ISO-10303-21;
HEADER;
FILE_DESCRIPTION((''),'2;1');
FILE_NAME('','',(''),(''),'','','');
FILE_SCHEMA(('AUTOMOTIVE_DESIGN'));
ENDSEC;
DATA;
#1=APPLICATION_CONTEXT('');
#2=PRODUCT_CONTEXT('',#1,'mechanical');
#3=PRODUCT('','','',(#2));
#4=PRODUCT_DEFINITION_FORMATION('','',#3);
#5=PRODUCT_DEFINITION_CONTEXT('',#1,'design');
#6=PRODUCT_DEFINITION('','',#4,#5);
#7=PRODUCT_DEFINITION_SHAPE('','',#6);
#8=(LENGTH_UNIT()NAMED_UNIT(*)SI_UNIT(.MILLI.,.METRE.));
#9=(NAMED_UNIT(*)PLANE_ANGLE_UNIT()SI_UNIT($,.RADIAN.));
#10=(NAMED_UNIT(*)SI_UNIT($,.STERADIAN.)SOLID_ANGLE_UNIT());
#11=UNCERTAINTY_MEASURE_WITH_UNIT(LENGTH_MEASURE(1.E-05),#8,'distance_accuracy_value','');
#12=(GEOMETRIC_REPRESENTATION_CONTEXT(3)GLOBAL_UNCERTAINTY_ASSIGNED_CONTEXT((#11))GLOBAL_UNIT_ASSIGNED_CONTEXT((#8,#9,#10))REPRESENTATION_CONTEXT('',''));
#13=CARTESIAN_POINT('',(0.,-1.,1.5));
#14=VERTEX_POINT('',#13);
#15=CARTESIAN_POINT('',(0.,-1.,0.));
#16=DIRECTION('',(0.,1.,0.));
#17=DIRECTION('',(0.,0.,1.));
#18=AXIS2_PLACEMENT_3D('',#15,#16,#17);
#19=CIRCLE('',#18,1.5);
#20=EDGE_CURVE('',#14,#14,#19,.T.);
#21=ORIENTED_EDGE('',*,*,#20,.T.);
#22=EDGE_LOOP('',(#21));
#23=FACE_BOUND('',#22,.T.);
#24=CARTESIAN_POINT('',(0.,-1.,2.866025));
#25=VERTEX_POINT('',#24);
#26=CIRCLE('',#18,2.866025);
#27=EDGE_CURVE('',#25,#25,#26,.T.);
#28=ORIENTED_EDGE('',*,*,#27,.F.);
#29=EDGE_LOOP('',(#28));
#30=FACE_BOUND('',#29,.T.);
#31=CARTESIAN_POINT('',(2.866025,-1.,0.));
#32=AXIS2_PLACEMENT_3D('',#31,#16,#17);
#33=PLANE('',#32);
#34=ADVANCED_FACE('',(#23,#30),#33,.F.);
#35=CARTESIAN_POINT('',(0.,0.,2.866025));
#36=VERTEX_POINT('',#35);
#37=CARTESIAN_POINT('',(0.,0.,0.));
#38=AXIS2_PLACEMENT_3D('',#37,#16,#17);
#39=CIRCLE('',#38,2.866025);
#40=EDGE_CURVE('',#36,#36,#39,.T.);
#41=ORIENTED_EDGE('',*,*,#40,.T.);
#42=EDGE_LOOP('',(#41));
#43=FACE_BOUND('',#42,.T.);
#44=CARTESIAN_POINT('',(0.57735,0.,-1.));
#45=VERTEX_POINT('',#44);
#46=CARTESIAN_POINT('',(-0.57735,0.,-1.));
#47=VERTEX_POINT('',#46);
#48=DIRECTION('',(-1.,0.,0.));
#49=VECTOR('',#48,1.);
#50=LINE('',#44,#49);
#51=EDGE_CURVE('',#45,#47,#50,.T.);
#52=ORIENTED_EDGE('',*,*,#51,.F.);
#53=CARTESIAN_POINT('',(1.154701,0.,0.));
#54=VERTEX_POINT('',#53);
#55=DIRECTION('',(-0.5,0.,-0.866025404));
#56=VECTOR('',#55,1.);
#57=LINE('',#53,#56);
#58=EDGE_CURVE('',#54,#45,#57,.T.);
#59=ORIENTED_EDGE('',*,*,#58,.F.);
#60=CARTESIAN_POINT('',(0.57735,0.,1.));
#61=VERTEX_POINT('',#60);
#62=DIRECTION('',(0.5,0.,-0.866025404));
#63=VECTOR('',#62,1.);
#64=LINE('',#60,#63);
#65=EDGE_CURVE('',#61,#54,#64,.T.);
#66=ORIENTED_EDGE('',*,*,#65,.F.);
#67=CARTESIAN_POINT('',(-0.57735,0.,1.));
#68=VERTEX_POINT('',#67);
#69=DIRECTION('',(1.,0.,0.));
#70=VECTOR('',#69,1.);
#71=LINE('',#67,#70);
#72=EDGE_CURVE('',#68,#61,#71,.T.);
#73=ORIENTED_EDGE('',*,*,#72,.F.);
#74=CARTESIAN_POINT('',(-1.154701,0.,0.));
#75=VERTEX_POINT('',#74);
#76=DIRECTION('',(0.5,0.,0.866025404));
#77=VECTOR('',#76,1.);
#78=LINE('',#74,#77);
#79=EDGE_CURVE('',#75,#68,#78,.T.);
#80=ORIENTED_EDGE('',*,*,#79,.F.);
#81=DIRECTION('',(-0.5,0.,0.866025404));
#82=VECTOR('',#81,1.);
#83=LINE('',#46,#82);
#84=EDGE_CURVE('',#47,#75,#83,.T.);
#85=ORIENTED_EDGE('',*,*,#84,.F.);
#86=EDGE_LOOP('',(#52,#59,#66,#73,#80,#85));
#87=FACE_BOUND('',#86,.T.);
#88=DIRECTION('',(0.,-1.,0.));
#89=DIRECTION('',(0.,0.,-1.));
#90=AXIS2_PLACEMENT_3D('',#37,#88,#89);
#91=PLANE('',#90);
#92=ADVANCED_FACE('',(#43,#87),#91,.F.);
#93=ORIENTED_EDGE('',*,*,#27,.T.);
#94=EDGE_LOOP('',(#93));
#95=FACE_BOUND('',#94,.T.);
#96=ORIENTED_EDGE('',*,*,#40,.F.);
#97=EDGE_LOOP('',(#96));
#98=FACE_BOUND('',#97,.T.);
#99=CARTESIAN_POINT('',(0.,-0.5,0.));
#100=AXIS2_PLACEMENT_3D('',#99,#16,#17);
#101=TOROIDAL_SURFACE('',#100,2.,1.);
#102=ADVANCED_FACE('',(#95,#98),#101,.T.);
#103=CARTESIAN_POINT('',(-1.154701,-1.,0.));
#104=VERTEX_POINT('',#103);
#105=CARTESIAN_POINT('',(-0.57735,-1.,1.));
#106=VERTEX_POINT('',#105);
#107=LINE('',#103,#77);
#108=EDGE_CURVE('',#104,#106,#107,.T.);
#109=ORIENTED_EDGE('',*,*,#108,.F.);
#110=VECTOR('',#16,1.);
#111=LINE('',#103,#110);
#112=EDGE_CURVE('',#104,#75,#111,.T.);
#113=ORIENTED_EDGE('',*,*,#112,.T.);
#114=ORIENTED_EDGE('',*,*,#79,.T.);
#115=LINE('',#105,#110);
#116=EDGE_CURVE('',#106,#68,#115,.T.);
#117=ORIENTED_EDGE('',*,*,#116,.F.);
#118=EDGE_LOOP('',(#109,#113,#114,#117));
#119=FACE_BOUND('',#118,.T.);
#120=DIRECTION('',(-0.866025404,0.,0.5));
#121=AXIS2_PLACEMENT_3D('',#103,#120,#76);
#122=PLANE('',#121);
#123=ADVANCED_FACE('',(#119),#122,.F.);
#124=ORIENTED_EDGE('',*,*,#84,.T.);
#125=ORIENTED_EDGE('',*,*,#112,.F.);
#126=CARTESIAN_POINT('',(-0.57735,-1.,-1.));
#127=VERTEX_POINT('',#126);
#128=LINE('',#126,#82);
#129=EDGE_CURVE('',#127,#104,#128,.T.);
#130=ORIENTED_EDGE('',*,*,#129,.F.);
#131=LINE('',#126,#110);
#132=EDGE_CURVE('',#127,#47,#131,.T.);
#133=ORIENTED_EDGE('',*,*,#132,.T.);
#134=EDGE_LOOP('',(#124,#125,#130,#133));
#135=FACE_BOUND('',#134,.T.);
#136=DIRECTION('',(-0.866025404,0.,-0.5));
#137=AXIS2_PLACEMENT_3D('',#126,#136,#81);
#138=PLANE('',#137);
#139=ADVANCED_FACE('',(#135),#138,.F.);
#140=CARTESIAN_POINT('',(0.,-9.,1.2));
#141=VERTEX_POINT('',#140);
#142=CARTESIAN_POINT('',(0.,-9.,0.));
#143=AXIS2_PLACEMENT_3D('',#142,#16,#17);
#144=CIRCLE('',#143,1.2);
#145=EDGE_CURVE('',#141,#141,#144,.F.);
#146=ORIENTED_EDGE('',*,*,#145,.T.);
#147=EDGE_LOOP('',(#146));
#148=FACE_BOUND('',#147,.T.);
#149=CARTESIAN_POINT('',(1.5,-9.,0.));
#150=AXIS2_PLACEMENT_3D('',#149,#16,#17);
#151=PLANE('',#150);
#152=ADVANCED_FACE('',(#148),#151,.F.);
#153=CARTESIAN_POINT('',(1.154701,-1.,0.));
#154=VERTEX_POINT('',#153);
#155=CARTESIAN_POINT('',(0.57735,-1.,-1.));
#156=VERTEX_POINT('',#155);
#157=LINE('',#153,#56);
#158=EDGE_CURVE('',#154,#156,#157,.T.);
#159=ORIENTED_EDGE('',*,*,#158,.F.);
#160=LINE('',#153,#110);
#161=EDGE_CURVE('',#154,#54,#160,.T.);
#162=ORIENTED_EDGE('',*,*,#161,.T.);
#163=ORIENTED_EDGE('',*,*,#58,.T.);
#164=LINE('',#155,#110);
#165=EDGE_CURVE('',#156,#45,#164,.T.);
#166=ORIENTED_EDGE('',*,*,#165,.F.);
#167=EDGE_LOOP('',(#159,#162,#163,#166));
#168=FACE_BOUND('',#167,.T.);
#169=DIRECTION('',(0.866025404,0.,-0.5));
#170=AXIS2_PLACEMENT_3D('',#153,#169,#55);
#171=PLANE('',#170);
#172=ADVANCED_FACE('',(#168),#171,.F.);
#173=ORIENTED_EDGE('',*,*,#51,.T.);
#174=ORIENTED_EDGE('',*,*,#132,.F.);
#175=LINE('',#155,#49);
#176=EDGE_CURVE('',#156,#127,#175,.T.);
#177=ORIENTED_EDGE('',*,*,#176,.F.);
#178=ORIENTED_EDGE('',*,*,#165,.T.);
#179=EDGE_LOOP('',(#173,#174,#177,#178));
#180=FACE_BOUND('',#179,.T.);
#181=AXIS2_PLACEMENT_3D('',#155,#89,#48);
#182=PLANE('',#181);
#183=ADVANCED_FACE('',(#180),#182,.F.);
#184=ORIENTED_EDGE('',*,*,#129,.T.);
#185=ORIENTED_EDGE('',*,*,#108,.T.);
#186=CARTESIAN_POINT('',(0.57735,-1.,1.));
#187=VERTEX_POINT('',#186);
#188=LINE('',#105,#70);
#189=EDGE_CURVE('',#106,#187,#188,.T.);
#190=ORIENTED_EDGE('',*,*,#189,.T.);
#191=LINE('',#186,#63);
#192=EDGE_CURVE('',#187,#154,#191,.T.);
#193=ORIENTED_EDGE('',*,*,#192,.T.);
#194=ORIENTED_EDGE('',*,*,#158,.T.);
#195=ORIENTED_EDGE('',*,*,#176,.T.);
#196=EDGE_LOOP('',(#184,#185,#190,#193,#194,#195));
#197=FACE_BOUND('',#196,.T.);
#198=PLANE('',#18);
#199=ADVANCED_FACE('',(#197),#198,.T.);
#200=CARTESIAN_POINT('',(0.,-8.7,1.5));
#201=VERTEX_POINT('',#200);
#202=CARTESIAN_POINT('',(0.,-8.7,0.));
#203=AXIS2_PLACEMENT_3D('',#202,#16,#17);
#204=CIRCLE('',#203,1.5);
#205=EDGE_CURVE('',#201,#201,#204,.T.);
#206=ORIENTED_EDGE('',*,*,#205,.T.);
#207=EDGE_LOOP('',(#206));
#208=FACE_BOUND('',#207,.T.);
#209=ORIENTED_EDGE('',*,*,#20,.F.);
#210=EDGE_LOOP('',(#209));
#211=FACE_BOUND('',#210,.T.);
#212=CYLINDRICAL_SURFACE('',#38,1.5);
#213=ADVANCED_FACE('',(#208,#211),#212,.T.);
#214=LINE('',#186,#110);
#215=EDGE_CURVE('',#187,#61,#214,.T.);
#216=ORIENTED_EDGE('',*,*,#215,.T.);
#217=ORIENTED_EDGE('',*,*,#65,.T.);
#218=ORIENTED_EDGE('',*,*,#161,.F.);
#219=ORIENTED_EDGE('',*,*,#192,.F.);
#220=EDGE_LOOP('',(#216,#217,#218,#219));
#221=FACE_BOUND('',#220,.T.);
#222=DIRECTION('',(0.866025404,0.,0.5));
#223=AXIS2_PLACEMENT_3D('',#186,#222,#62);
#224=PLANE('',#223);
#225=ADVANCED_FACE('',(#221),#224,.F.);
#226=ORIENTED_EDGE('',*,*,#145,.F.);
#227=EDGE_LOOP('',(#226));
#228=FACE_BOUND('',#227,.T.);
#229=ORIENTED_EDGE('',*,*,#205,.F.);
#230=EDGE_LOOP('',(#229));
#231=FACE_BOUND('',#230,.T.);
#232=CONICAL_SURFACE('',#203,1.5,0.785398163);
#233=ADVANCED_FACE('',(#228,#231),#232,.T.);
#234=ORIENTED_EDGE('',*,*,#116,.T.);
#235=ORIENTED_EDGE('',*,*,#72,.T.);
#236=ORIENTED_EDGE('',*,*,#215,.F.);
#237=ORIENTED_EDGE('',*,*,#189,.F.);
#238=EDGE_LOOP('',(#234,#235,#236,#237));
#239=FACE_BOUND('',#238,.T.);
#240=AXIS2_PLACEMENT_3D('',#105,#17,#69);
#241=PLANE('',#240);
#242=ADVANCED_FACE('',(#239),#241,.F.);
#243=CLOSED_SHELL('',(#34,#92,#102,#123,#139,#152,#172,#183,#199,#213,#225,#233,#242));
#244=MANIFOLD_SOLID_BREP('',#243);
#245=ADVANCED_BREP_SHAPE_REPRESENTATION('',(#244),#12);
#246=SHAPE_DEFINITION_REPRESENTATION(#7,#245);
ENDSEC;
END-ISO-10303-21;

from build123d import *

# Parameters (mm, degrees)
CHAMFER_1_SIZE      = 0.3
CUT_EXTRUDE_1_DEPTH = 1


with BuildPart() as part:
    # 草图1 → 旋转1 (revolve)
    with BuildSketch(Plane.XY, mode=Mode.PRIVATE) as revolve_1_sk:
        with BuildLine():
            Line((0, 0), (2.866025404, 0))
            ThreePointArc((2.866025404, 0), (3, -0.5), (2.866025404, -1))
            Line((2.866025404, -1), (1.5, -1))
            Line((1.5, -1), (1.5, -9))
            Line((1.5, -9), (0, -9))
            Line((0, -9), (0, 0))
        make_face()
    revolve(revolve_1_sk.sketch.rotate(Axis((0, 0, 0), (0, -1, 0)), 90), axis=Axis((0, 0, 0), (0, -1, 0)))

    # 倒角1
    chamfer_1_edges = [part.edges().sort_by_distance(p)[0] for p in [
        (0, -9, -1.5),
    ]]
    chamfer(chamfer_1_edges, length=CHAMFER_1_SIZE)

    # 草图2 → 切除-拉伸1 (cut)
    with BuildSketch(Plane(origin=(0, 0, 0), x_dir=(1, 0, 0), z_dir=(0, 1, 0))):
        Polygon((1.154700538, 0), (0.577350269, 1), (-0.577350269, 1), (-1.154700538, 0), (-0.577350269, -1), (0.577350269, -1), align=None)
    extrude(amount=-CUT_EXTRUDE_1_DEPTH, mode=Mode.SUBTRACT)


solid = part.part
